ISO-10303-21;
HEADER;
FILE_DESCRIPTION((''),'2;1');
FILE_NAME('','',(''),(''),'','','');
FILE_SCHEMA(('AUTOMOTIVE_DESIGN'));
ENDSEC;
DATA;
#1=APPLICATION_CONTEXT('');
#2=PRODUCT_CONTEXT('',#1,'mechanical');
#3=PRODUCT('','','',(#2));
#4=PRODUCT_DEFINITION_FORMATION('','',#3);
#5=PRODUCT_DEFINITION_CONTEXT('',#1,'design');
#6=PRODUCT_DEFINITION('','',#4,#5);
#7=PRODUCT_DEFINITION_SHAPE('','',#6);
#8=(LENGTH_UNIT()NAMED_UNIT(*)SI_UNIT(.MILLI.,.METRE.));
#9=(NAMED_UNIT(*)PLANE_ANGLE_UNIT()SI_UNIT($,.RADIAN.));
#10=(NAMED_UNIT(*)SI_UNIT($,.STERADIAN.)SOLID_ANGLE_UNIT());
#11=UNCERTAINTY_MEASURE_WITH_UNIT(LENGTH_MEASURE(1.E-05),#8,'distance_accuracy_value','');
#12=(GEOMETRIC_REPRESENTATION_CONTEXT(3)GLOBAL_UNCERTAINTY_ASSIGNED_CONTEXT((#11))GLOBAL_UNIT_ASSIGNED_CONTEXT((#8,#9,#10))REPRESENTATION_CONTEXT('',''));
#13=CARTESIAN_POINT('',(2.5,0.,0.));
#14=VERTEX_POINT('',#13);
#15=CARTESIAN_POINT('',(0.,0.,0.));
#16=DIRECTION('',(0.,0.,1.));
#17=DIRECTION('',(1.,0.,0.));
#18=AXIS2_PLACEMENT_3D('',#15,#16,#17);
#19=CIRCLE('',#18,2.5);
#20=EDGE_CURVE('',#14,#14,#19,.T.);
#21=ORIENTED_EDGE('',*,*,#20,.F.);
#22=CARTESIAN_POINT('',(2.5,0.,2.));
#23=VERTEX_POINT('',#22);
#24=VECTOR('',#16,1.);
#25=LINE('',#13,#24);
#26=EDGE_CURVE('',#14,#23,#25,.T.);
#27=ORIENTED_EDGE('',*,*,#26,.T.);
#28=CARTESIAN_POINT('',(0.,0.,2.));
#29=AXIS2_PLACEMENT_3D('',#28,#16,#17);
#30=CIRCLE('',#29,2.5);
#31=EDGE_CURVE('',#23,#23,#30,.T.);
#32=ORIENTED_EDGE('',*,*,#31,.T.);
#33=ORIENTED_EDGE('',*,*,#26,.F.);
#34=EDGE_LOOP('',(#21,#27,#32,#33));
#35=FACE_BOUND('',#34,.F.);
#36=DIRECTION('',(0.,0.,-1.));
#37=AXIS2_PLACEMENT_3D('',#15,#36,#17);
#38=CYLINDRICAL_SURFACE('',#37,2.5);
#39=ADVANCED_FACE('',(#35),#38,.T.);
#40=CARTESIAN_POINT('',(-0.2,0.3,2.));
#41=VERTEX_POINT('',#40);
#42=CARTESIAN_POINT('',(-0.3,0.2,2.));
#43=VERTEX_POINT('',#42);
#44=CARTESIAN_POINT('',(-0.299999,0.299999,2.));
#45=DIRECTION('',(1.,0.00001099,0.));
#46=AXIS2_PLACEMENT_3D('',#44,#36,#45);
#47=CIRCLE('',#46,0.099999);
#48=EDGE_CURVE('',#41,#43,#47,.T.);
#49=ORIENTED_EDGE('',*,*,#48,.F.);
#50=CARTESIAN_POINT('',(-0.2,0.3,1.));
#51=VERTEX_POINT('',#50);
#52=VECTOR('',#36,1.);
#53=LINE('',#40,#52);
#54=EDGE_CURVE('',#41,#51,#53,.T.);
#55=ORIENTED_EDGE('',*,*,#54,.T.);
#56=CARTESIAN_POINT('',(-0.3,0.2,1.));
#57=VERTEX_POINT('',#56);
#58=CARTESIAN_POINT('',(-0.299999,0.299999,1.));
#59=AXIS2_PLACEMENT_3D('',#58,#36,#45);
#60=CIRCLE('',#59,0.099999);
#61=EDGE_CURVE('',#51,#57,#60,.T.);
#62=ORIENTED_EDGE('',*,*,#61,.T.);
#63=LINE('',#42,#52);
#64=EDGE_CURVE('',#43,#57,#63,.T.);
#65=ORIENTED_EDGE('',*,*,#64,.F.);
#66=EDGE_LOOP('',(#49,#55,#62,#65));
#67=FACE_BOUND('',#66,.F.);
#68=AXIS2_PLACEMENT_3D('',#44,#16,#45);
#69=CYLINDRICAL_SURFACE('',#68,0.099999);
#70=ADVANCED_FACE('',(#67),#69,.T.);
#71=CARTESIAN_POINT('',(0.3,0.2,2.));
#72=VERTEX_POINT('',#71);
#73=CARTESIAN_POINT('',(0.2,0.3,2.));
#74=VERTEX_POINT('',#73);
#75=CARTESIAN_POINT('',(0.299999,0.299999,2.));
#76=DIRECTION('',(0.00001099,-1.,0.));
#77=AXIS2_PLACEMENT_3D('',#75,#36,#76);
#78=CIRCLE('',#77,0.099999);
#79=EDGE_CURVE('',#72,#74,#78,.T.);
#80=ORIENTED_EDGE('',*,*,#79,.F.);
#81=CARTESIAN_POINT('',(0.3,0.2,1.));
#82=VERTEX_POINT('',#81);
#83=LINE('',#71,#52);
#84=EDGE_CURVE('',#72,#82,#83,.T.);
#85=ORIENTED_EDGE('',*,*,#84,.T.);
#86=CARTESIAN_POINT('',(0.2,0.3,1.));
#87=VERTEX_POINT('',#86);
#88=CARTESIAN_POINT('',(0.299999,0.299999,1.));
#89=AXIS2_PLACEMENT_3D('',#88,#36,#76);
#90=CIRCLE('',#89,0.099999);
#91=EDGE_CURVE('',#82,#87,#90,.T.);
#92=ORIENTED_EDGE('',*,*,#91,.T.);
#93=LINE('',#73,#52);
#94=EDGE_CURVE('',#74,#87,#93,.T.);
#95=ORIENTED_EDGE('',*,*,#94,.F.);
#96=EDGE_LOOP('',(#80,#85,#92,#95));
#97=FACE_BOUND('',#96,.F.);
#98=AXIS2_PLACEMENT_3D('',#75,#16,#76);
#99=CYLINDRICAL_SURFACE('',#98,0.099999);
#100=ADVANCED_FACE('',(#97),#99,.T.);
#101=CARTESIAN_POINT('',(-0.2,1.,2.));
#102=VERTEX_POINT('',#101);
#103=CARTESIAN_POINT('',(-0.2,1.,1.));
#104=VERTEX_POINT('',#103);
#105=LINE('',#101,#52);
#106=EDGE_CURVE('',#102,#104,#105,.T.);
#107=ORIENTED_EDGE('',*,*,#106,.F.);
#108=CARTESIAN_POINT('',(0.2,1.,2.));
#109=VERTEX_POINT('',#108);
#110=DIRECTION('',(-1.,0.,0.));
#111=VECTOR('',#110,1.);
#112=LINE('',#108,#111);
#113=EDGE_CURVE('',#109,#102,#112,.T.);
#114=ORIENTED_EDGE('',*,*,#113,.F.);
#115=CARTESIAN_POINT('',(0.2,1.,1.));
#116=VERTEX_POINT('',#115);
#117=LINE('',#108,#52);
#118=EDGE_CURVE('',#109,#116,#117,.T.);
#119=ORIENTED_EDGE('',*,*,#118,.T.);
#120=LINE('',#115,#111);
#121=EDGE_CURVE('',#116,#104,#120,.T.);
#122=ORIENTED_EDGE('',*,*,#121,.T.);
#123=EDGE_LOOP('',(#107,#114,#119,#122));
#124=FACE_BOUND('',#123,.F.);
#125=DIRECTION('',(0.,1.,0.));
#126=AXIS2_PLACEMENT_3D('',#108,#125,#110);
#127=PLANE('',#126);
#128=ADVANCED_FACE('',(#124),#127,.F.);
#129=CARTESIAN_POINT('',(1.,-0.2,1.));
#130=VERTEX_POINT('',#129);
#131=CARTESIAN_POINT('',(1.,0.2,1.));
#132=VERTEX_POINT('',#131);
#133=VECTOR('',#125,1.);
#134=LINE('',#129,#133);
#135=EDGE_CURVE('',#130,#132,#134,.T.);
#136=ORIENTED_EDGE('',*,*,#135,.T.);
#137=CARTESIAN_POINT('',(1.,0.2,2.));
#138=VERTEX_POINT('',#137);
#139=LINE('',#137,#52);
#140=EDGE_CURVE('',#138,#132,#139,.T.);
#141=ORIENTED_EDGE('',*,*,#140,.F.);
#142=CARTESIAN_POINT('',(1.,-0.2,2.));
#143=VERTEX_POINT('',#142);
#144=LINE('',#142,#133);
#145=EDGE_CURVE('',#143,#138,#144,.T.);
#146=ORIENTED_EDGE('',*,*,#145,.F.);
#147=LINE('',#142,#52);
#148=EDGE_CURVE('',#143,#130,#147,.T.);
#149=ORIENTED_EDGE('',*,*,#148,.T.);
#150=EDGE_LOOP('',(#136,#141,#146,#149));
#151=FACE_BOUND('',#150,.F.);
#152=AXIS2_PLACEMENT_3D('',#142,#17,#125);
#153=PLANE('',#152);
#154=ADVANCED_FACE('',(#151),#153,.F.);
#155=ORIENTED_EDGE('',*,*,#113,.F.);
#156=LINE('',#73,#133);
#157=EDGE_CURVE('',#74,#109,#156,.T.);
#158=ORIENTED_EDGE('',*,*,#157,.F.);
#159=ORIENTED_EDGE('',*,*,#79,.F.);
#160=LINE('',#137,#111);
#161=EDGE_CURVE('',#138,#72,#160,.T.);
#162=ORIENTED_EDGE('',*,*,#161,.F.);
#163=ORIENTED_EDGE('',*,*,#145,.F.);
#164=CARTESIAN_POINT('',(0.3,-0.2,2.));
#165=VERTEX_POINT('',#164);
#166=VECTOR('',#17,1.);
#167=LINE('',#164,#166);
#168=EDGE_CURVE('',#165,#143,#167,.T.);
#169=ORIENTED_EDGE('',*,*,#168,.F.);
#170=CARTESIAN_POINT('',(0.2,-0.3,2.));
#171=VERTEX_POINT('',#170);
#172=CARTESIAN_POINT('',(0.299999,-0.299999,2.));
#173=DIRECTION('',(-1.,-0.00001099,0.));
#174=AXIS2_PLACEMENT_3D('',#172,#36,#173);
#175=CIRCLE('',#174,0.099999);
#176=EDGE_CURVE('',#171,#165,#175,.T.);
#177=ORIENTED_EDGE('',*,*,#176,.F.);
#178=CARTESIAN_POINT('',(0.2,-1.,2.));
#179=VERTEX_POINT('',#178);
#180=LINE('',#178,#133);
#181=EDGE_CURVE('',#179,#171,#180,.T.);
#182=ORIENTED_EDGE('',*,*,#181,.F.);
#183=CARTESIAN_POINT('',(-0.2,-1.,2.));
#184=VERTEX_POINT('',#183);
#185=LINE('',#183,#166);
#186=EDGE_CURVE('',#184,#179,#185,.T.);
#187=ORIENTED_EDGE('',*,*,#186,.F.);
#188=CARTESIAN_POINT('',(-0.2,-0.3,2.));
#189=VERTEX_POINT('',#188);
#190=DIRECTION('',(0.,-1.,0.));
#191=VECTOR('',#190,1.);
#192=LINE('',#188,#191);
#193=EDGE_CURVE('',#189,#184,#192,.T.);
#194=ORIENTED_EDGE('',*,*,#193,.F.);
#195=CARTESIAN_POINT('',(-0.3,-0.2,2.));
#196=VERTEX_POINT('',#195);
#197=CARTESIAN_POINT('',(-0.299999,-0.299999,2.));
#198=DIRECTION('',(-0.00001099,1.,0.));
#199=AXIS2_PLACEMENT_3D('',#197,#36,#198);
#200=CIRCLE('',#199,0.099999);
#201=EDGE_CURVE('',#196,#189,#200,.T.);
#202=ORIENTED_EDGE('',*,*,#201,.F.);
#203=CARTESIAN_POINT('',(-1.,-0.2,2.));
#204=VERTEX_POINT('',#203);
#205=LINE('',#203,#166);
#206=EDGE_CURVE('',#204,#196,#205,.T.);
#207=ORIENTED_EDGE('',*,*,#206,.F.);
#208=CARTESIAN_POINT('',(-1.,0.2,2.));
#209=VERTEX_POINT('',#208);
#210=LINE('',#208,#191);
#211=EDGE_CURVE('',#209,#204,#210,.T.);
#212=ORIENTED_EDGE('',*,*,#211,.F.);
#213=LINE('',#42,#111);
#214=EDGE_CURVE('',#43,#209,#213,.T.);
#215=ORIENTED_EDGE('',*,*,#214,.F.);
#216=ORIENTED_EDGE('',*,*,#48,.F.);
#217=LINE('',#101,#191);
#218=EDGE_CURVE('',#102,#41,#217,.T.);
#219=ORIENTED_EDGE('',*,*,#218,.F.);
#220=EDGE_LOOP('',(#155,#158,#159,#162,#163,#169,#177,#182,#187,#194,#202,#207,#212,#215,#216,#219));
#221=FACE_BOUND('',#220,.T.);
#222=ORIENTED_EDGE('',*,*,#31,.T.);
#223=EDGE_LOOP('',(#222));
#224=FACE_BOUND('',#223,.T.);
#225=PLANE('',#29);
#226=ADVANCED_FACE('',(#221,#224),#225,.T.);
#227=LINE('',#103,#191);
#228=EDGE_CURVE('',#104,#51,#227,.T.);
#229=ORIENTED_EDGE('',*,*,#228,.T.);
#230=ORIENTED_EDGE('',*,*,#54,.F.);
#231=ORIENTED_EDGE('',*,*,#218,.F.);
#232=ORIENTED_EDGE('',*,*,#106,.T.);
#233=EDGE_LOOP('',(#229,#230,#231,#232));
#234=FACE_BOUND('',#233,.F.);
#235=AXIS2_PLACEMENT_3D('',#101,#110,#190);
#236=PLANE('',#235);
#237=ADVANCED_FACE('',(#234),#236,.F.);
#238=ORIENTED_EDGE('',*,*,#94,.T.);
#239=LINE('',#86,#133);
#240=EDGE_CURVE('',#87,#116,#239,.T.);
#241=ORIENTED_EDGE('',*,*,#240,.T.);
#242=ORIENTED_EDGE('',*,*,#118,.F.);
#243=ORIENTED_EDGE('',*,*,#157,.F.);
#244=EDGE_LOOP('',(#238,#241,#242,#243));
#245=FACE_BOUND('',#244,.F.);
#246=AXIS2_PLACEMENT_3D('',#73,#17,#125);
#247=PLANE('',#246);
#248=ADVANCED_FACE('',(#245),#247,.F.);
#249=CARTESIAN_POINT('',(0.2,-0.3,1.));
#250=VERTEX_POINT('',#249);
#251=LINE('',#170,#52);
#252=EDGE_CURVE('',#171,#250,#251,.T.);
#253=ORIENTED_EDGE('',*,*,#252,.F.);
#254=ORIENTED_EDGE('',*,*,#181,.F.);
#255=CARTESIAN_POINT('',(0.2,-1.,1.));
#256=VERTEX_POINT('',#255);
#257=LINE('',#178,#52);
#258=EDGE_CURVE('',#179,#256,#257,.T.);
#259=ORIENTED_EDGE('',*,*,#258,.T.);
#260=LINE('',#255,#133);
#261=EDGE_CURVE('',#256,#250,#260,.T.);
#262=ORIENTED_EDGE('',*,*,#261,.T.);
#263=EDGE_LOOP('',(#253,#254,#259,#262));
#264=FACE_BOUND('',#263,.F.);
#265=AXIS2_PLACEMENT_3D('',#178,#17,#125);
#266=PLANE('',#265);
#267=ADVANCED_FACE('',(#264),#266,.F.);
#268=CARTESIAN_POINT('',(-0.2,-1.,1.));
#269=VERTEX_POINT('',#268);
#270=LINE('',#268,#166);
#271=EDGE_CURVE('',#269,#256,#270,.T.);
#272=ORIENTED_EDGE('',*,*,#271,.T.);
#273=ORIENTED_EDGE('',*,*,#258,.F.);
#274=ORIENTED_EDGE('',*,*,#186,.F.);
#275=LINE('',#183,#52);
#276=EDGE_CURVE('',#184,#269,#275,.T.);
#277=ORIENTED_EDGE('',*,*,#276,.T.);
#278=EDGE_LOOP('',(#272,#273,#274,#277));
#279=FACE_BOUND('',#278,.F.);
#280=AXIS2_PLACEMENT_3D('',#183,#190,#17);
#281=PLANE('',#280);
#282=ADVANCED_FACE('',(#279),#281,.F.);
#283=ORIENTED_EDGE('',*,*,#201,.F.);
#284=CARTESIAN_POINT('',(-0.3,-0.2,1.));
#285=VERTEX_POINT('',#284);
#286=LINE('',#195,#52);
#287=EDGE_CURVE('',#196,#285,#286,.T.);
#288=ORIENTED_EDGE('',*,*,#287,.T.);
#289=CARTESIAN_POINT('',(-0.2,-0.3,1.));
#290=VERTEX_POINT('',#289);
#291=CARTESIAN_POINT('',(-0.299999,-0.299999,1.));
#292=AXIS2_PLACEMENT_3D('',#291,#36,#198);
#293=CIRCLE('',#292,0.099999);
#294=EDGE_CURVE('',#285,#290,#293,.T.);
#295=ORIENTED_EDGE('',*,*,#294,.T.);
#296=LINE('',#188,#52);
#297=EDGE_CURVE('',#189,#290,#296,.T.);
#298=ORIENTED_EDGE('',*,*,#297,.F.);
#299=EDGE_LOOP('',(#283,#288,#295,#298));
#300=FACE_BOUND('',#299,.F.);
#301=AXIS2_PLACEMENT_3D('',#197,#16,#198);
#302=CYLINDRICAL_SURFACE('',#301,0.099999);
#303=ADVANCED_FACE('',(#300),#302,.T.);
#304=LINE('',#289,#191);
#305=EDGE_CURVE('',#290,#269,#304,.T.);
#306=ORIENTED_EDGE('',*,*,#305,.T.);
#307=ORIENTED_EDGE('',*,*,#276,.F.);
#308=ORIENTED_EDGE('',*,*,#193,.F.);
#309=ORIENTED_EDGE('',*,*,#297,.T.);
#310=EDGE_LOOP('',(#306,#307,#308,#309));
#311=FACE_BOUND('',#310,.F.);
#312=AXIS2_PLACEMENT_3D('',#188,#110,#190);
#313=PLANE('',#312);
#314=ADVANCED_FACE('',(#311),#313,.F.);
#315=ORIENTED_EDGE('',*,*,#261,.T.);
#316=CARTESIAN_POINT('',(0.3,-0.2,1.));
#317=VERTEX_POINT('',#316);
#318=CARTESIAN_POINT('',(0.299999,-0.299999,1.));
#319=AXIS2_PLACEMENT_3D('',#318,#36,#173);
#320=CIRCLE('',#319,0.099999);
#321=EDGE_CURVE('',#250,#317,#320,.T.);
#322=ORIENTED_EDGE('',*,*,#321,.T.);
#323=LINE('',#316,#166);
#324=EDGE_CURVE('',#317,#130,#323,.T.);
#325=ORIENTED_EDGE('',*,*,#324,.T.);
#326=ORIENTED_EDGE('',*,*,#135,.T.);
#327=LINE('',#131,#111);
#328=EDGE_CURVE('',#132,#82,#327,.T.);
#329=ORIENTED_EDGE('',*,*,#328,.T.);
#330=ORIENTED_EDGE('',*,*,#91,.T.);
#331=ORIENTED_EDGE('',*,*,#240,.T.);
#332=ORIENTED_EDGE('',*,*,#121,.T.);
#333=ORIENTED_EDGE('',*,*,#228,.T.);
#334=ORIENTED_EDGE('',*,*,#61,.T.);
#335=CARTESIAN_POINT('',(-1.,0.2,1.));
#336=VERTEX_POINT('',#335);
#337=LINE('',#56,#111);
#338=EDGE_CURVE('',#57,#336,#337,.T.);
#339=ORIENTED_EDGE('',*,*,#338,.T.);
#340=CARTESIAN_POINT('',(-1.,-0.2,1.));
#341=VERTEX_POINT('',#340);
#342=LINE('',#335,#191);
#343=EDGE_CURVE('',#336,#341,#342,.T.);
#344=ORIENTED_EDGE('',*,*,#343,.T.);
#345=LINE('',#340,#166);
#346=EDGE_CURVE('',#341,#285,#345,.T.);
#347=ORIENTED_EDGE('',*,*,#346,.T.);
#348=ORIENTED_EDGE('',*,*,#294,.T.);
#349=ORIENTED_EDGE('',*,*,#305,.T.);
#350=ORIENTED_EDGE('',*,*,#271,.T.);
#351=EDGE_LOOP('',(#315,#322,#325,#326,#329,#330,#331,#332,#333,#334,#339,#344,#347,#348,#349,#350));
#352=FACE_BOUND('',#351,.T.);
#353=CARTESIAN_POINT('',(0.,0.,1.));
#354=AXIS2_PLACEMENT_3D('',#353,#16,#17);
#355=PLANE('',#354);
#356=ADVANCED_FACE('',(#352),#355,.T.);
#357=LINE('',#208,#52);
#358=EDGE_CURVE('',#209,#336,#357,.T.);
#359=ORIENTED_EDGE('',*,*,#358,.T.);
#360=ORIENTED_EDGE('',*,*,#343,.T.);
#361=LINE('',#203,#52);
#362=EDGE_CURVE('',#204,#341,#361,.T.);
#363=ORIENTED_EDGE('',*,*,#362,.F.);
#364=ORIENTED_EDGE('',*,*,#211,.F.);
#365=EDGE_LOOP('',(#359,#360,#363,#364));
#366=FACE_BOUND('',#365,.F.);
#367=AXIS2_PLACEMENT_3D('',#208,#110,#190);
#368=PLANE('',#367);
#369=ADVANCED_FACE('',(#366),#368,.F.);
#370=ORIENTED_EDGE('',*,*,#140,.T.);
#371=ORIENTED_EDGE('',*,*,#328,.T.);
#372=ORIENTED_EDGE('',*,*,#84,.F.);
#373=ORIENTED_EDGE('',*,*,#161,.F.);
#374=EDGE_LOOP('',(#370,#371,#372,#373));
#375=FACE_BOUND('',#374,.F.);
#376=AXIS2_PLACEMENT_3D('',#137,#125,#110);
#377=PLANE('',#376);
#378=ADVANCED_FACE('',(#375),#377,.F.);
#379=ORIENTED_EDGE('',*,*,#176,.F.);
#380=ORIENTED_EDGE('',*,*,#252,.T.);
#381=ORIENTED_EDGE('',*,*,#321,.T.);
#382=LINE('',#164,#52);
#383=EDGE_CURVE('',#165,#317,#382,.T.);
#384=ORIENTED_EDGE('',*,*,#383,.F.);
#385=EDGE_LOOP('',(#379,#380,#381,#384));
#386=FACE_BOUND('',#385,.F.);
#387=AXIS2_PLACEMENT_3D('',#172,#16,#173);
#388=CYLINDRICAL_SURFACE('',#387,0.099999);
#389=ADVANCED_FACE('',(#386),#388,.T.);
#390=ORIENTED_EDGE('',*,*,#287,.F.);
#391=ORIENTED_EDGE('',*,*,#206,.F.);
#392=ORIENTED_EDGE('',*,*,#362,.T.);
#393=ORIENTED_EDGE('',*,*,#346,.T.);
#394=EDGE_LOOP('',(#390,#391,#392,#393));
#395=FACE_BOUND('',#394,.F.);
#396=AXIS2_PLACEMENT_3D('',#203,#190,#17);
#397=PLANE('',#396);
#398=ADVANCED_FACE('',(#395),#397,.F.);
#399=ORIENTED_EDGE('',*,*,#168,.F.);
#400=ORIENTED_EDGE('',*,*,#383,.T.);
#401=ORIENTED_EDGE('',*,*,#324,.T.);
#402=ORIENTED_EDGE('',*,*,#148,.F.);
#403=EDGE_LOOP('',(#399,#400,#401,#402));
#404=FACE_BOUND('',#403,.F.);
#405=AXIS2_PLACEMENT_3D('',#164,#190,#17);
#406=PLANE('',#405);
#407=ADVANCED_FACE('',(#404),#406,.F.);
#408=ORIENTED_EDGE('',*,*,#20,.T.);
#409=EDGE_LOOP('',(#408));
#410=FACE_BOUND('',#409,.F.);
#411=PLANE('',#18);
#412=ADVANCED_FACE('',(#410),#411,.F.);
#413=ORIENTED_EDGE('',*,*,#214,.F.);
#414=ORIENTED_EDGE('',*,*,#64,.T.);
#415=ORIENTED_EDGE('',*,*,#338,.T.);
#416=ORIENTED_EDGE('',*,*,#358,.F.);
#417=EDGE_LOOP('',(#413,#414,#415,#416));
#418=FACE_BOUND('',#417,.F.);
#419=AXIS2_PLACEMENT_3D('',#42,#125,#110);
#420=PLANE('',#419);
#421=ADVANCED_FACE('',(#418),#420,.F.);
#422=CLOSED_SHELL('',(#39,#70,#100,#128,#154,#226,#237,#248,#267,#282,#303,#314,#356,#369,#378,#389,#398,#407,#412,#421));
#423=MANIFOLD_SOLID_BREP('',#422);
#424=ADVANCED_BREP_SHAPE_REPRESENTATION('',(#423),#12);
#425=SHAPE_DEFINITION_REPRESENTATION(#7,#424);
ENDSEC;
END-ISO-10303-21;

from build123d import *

# Parameters (mm, degrees)
F0_R     = 2.5
F1_DEPTH = 2
F3_DEPTH = 1


with BuildPart() as f1:
    # F0 (on Top) → F1 (new body)
    with BuildSketch(Plane.XY):
        Circle(F0_R)
    extrude(amount=F1_DEPTH)

    # F2 (on face) → F3 (cut)
    with BuildSketch(Plane.XY.offset(2)):
        with BuildLine():
            Line((-0.2, -0.3), (-0.2, -1))
            Line((-0.2, -1), (0.2, -1))
            Line((0.2, -1), (0.2, -0.3))
            ThreePointArc((0.2, -0.3), (0.229289, -0.229289), (0.3, -0.2))
            Line((0.3, -0.2), (1, -0.2))
            Line((1, -0.2), (1, 0.2))
            Line((1, 0.2), (0.3, 0.2))
            ThreePointArc((0.3, 0.2), (0.229289, 0.229289), (0.2, 0.3))
            Line((0.2, 0.3), (0.2, 1))
            Line((0.2, 1), (-0.2, 1))
            Line((-0.2, 1), (-0.2, 0.3))
            ThreePointArc((-0.2, 0.3), (-0.229289, 0.229289), (-0.3, 0.2))
            Line((-0.3, 0.2), (-1, 0.2))
            Line((-1, 0.2), (-1, -0.2))
            Line((-1, -0.2), (-0.3, -0.2))
            ThreePointArc((-0.3, -0.2), (-0.229289, -0.229289), (-0.2, -0.3))
        make_face()
    extrude(amount=-F3_DEPTH, mode=Mode.SUBTRACT)


solid = f1.part
